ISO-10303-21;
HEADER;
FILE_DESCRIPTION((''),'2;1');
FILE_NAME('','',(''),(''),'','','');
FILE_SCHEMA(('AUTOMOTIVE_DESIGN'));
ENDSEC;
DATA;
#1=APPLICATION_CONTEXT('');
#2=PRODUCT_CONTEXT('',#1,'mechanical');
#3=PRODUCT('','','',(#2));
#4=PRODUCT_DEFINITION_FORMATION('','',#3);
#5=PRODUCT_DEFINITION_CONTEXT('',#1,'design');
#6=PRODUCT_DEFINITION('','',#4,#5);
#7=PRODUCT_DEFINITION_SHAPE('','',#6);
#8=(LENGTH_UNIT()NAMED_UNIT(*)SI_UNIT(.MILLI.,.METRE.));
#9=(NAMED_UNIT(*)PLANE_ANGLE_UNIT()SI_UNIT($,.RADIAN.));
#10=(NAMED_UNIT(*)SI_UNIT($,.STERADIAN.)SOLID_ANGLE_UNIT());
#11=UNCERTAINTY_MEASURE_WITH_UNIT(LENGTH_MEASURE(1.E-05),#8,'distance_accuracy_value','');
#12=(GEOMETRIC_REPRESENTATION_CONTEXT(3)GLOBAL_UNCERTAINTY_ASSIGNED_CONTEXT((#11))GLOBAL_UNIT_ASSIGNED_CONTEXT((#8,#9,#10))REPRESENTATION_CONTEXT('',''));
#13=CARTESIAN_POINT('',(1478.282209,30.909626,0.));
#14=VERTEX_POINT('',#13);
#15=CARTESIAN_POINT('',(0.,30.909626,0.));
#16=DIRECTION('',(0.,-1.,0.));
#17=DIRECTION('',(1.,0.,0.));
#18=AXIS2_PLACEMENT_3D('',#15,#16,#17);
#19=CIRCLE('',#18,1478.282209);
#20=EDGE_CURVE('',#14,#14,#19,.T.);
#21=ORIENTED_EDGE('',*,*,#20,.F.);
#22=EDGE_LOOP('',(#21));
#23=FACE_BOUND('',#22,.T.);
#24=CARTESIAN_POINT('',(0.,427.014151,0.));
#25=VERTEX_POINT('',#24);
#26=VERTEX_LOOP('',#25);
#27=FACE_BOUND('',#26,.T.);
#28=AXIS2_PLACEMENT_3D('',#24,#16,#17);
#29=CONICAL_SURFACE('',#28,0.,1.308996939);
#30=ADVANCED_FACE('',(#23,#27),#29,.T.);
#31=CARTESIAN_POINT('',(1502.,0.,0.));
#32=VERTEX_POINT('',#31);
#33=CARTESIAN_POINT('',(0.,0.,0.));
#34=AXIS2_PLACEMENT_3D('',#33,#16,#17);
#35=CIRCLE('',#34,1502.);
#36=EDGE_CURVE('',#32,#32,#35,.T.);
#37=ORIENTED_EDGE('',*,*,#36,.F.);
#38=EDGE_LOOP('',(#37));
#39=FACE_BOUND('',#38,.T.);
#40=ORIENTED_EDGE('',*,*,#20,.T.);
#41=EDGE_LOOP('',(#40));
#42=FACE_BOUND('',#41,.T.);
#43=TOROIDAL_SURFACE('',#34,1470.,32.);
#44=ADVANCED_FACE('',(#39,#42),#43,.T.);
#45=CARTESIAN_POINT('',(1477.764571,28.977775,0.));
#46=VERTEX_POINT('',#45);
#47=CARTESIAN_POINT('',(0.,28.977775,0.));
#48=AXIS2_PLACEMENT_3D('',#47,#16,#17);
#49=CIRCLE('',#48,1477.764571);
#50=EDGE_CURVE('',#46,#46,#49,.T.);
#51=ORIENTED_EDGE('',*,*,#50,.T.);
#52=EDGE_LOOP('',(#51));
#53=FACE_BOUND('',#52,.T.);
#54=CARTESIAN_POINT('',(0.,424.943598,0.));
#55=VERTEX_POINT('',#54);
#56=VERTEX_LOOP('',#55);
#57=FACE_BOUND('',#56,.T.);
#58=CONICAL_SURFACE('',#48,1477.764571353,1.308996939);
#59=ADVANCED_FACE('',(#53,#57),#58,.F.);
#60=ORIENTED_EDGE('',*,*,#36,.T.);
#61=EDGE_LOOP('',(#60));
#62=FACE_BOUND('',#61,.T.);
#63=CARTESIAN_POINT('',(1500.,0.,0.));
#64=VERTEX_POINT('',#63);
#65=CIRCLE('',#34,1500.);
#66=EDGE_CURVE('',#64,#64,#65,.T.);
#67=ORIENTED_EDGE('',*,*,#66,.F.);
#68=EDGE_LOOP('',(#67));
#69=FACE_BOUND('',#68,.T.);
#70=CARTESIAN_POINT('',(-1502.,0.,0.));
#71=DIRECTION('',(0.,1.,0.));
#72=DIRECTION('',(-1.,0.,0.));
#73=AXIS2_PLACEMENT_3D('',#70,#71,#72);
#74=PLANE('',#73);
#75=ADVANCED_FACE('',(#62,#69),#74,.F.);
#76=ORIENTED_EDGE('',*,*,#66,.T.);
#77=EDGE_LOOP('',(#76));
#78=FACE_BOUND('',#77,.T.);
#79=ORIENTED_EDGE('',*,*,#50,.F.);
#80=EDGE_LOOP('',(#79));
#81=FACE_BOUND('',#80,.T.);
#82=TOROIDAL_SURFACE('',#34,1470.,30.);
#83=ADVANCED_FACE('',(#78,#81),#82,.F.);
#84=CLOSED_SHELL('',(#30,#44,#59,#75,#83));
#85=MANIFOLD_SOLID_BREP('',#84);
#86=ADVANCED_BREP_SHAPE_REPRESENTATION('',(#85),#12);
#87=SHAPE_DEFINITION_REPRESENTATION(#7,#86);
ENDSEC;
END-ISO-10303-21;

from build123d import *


with BuildPart() as part:
    # Esquisse1 → R_volution1 (revolve)
    with BuildSketch(Plane.XY, mode=Mode.PRIVATE) as r_volution1_sk:
        with BuildLine():
            Line((-1477.764571353, 28.977774789), (0, 424.943598286))
            Line((0, 424.943598286), (0, 427.014150647))
            Line((0, 427.014150647), (-1478.282209443, 30.909626441))
            ThreePointArc((-1478.282209443, 30.909626441), (-1495.387306889, 19.480365728), (-1502, 0))
            Line((-1502, 0), (-1500, 0))
            ThreePointArc((-1500, 0), (-1493.800600209, 18.26284287), (-1477.764571353, 28.977774789))
        make_face()
    revolve(r_volution1_sk.sketch.rotate(Axis((0, 424.943598286, 0), (0, 1, 0)), 180), axis=Axis((0, 424.943598286, 0), (0, 1, 0)))  # turned: the seam where the file's is


solid = part.part
